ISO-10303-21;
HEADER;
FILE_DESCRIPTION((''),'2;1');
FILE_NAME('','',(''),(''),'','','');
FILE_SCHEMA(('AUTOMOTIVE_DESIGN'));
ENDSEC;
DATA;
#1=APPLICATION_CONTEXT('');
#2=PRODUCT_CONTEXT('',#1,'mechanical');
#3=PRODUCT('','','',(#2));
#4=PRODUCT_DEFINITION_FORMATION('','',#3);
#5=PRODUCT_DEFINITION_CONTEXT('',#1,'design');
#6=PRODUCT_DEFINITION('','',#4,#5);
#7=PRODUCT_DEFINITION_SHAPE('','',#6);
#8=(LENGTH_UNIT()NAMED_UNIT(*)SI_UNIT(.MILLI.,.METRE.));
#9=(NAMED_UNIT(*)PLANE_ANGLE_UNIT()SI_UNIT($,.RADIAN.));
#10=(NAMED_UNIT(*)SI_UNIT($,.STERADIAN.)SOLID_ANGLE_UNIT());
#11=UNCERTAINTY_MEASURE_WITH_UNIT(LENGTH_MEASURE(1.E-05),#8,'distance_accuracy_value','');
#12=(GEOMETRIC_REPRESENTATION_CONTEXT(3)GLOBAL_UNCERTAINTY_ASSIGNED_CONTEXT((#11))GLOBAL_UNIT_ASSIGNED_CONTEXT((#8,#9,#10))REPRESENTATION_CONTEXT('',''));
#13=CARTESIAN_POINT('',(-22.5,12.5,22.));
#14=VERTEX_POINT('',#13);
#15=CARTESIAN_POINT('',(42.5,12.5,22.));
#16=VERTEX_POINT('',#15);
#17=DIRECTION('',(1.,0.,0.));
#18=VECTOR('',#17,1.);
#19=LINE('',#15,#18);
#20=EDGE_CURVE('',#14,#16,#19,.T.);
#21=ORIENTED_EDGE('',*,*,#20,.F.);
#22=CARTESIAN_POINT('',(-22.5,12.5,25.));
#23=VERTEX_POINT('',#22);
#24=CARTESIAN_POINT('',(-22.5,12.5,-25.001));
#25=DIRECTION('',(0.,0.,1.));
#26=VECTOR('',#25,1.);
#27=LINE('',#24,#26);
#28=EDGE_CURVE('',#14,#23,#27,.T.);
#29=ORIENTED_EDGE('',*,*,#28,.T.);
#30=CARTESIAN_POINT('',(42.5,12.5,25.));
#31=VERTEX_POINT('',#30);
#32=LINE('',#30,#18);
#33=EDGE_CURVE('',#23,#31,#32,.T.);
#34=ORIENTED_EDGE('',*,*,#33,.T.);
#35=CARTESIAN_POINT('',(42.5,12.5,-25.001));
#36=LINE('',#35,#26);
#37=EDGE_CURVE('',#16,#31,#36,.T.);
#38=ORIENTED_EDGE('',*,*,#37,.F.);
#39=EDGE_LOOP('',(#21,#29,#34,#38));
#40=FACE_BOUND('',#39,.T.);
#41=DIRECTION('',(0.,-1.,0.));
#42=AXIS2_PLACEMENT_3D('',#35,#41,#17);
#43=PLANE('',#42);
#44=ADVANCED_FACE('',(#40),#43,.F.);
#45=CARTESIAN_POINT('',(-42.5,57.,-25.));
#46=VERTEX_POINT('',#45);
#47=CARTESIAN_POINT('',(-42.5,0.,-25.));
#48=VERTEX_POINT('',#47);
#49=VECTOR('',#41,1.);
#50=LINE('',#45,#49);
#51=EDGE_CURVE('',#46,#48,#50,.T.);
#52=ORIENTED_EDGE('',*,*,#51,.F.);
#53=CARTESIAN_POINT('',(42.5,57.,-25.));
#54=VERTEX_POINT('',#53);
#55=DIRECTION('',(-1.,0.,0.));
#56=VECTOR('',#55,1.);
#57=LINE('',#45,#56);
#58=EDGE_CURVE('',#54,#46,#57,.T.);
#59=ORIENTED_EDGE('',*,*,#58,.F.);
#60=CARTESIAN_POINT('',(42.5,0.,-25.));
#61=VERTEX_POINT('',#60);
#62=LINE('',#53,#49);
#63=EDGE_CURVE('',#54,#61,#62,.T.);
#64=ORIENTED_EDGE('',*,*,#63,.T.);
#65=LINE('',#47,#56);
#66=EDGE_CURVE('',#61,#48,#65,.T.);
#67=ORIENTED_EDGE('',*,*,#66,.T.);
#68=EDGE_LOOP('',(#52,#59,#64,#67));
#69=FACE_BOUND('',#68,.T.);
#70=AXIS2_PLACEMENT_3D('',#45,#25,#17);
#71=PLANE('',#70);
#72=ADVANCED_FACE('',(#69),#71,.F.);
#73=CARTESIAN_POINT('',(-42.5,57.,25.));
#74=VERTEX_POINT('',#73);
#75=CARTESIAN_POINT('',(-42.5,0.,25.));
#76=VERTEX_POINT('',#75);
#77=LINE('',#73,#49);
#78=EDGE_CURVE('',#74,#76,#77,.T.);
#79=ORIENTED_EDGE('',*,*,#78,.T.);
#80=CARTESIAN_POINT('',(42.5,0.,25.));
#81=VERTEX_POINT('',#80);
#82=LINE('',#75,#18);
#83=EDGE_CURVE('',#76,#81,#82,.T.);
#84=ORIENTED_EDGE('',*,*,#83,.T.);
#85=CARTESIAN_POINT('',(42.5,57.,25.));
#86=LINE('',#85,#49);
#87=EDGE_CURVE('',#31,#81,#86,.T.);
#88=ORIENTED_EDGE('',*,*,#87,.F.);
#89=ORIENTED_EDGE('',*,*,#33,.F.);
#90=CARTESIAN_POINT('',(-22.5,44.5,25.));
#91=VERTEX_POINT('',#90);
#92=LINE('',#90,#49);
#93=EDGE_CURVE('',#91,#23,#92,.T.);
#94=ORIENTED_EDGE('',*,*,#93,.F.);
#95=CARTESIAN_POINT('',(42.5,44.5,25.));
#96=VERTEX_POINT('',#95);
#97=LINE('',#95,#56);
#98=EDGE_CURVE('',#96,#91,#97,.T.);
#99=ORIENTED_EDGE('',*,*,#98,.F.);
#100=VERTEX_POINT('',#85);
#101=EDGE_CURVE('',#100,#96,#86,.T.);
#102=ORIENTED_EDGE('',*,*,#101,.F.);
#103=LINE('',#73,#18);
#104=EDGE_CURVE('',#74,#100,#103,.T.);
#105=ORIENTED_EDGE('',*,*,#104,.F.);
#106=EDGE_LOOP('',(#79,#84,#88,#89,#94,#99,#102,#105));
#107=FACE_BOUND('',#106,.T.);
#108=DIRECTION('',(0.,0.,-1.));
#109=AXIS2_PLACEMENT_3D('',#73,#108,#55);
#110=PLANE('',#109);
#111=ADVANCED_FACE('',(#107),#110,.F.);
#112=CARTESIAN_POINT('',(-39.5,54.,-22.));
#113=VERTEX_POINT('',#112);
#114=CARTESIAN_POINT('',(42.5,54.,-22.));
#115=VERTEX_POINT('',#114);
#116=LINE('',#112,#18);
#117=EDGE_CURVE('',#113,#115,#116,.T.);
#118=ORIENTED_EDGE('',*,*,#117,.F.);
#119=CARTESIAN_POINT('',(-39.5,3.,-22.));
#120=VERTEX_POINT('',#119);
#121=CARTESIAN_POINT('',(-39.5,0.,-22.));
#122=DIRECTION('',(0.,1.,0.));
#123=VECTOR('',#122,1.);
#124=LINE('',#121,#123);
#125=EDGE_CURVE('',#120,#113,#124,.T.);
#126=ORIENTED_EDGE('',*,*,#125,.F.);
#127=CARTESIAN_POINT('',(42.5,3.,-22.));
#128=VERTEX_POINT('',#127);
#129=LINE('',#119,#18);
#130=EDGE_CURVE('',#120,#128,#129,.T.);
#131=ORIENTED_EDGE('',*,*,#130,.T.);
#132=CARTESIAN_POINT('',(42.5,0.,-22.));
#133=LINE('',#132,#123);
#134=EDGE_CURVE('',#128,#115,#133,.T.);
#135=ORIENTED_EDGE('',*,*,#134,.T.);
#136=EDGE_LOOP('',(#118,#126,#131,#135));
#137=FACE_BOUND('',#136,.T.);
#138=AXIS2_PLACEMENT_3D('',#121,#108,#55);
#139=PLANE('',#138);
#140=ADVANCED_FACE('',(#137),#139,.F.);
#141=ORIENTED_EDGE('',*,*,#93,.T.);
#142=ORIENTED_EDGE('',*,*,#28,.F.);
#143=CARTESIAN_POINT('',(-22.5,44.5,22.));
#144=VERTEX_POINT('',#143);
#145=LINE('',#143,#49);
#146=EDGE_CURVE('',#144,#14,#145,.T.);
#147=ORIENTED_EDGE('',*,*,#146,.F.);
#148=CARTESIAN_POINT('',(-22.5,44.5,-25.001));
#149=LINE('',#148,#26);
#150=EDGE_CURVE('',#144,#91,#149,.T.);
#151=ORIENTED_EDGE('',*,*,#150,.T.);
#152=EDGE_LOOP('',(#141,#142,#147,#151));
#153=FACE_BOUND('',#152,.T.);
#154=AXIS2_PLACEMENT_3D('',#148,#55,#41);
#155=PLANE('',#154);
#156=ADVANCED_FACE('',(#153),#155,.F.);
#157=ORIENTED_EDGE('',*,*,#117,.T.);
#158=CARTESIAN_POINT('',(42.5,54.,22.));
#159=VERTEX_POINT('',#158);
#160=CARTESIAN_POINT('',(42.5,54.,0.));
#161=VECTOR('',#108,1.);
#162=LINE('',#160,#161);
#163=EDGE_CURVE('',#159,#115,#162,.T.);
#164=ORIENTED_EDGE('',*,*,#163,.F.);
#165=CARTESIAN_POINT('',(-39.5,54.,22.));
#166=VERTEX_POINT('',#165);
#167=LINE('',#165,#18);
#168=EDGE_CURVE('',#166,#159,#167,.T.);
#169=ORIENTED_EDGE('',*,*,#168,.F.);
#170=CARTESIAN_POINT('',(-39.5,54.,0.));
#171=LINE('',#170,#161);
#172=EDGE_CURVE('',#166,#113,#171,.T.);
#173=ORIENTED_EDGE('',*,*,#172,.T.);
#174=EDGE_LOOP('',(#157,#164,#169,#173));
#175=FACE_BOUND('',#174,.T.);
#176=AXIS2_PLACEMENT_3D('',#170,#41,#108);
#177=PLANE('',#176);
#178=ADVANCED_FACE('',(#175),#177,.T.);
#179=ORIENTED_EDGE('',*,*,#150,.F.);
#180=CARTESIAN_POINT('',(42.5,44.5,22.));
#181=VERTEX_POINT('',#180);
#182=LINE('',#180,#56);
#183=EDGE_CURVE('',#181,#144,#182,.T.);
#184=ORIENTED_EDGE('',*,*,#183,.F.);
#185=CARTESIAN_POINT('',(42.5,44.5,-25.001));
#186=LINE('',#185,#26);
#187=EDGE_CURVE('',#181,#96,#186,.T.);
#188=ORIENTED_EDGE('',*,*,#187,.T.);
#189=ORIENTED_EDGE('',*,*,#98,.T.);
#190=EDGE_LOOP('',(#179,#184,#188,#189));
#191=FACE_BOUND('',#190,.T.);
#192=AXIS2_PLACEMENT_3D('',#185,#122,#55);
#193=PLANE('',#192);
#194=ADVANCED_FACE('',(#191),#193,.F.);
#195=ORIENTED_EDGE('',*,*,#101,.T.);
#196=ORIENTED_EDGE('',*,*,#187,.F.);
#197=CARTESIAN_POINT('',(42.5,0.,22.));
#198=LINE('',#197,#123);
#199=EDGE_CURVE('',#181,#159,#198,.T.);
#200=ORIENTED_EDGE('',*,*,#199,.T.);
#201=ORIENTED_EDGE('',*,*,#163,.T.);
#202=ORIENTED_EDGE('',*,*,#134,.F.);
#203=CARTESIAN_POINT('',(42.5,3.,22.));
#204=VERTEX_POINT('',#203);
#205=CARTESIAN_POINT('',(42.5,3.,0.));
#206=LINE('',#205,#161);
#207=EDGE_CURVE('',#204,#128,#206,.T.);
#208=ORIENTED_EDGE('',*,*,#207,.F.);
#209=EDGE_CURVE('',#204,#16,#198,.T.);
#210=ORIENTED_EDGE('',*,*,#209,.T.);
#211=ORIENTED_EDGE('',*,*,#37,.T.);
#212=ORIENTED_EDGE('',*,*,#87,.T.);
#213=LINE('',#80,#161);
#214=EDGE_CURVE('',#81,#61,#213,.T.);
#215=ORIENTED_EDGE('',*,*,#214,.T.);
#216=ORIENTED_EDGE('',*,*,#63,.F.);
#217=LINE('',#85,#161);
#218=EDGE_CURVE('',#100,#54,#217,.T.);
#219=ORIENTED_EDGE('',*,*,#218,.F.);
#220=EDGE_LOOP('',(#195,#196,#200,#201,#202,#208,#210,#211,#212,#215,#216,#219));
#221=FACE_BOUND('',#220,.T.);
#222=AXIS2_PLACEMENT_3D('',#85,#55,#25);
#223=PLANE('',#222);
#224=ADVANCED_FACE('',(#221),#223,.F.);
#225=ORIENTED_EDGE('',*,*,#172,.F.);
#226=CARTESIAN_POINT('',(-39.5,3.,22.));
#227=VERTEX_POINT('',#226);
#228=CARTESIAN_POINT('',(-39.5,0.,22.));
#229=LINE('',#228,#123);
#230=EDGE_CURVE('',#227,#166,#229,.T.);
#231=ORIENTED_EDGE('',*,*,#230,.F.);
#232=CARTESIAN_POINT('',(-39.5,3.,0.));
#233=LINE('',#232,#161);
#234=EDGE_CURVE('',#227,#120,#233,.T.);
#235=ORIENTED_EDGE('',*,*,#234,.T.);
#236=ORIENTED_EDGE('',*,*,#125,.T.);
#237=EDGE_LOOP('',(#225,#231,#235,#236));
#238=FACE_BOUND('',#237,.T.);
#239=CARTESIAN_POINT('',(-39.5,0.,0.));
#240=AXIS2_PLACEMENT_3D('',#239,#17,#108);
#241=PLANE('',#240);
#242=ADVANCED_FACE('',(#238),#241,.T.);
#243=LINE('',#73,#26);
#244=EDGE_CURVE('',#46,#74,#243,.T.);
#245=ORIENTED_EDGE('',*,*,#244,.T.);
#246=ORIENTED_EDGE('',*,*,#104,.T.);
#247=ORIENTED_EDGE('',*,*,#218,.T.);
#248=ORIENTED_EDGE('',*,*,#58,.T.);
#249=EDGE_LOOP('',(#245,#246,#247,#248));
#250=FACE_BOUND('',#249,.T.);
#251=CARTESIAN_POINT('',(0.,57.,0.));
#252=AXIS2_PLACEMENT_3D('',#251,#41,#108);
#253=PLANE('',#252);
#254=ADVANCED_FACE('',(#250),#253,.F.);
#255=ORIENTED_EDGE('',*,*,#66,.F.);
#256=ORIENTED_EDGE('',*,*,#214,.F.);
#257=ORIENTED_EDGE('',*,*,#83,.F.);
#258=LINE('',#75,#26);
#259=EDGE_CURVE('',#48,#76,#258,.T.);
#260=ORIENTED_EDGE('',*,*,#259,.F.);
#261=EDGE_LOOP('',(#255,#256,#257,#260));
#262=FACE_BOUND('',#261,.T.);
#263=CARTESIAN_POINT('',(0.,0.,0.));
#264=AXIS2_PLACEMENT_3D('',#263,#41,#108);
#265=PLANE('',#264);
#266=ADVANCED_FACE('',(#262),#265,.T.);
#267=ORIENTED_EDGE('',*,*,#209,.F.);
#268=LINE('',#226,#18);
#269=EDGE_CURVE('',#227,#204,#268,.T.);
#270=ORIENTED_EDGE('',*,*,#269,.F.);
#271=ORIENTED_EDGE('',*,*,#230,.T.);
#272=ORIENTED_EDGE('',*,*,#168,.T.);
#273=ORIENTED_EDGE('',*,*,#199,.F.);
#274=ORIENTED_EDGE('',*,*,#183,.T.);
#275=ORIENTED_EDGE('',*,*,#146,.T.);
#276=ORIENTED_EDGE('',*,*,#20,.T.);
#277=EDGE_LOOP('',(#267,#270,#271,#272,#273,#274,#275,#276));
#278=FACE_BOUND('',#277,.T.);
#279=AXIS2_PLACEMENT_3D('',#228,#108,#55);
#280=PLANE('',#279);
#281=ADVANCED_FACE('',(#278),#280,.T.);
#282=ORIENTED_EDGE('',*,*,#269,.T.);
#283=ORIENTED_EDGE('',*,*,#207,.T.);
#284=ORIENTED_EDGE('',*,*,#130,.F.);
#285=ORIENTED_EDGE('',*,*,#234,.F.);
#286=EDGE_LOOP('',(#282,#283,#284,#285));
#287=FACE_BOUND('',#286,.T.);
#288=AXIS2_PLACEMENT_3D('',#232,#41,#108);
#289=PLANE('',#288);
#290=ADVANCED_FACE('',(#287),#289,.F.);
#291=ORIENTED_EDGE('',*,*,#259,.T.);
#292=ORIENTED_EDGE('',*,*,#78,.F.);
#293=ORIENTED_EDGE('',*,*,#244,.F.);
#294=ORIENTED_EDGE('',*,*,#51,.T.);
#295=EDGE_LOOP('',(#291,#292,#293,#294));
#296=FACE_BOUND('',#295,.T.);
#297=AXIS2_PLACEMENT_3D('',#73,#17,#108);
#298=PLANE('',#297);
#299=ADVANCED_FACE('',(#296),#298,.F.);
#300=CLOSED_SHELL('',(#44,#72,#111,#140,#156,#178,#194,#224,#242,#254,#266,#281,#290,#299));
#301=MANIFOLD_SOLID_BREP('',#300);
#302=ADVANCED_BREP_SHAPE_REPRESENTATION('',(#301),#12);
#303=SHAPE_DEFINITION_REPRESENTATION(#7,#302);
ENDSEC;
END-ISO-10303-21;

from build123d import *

# Parameters (mm, degrees)
SKETCH_1_W          = 85
SKETCH_1_H          = 50
EXTRUDE_1_DEPTH     = 57
SKETCH_3_W          = 22
SKETCH_3_H          = 51
CUT_EXTRUDE_2_DEPTH = 82
CUT_EXTRUDE_4_REACH = 88.921
SKETCH_4_W          = 65
SKETCH_4_H          = 32


with BuildPart() as part:
    # 草图1 → 凸台-拉伸1 (new body)
    with BuildSketch(Plane(origin=(0, 0, 0), x_dir=(1, 0, 0), z_dir=(0, 1, 0))):
        Rectangle(SKETCH_1_W, SKETCH_1_H)
    extrude(amount=EXTRUDE_1_DEPTH)

    # 草图3 → 切除-拉伸2 (cut)
    with BuildSketch(Plane(origin=(42.5, 0, 0), x_dir=(0, 0, -1), z_dir=(1, 0, 0))):
        with Locations((-11, 28.5)):
            Rectangle(SKETCH_3_W, SKETCH_3_H)
        with Locations((11, 28.5)):
            Rectangle(SKETCH_3_W, SKETCH_3_H)
    extrude(amount=-CUT_EXTRUDE_2_DEPTH, mode=Mode.SUBTRACT)

    # 草图4 → 切除-拉伸4 (cut, up to next)
    with BuildSketch(Plane.XY.offset(25), mode=Mode.PRIVATE) as cut_extrude_4_sk1:
        with Locations((10, 28.5)):
            Rectangle(SKETCH_4_W, SKETCH_4_H)
    cut_extrude_4_tool1 = extrude(cut_extrude_4_sk1.sketch, amount=-CUT_EXTRUDE_4_REACH, mode=Mode.PRIVATE) & part.part
    add(cut_extrude_4_tool1.solids().sort_by_distance((10, 28.5, 25))[0], mode=Mode.SUBTRACT)


solid = part.part
